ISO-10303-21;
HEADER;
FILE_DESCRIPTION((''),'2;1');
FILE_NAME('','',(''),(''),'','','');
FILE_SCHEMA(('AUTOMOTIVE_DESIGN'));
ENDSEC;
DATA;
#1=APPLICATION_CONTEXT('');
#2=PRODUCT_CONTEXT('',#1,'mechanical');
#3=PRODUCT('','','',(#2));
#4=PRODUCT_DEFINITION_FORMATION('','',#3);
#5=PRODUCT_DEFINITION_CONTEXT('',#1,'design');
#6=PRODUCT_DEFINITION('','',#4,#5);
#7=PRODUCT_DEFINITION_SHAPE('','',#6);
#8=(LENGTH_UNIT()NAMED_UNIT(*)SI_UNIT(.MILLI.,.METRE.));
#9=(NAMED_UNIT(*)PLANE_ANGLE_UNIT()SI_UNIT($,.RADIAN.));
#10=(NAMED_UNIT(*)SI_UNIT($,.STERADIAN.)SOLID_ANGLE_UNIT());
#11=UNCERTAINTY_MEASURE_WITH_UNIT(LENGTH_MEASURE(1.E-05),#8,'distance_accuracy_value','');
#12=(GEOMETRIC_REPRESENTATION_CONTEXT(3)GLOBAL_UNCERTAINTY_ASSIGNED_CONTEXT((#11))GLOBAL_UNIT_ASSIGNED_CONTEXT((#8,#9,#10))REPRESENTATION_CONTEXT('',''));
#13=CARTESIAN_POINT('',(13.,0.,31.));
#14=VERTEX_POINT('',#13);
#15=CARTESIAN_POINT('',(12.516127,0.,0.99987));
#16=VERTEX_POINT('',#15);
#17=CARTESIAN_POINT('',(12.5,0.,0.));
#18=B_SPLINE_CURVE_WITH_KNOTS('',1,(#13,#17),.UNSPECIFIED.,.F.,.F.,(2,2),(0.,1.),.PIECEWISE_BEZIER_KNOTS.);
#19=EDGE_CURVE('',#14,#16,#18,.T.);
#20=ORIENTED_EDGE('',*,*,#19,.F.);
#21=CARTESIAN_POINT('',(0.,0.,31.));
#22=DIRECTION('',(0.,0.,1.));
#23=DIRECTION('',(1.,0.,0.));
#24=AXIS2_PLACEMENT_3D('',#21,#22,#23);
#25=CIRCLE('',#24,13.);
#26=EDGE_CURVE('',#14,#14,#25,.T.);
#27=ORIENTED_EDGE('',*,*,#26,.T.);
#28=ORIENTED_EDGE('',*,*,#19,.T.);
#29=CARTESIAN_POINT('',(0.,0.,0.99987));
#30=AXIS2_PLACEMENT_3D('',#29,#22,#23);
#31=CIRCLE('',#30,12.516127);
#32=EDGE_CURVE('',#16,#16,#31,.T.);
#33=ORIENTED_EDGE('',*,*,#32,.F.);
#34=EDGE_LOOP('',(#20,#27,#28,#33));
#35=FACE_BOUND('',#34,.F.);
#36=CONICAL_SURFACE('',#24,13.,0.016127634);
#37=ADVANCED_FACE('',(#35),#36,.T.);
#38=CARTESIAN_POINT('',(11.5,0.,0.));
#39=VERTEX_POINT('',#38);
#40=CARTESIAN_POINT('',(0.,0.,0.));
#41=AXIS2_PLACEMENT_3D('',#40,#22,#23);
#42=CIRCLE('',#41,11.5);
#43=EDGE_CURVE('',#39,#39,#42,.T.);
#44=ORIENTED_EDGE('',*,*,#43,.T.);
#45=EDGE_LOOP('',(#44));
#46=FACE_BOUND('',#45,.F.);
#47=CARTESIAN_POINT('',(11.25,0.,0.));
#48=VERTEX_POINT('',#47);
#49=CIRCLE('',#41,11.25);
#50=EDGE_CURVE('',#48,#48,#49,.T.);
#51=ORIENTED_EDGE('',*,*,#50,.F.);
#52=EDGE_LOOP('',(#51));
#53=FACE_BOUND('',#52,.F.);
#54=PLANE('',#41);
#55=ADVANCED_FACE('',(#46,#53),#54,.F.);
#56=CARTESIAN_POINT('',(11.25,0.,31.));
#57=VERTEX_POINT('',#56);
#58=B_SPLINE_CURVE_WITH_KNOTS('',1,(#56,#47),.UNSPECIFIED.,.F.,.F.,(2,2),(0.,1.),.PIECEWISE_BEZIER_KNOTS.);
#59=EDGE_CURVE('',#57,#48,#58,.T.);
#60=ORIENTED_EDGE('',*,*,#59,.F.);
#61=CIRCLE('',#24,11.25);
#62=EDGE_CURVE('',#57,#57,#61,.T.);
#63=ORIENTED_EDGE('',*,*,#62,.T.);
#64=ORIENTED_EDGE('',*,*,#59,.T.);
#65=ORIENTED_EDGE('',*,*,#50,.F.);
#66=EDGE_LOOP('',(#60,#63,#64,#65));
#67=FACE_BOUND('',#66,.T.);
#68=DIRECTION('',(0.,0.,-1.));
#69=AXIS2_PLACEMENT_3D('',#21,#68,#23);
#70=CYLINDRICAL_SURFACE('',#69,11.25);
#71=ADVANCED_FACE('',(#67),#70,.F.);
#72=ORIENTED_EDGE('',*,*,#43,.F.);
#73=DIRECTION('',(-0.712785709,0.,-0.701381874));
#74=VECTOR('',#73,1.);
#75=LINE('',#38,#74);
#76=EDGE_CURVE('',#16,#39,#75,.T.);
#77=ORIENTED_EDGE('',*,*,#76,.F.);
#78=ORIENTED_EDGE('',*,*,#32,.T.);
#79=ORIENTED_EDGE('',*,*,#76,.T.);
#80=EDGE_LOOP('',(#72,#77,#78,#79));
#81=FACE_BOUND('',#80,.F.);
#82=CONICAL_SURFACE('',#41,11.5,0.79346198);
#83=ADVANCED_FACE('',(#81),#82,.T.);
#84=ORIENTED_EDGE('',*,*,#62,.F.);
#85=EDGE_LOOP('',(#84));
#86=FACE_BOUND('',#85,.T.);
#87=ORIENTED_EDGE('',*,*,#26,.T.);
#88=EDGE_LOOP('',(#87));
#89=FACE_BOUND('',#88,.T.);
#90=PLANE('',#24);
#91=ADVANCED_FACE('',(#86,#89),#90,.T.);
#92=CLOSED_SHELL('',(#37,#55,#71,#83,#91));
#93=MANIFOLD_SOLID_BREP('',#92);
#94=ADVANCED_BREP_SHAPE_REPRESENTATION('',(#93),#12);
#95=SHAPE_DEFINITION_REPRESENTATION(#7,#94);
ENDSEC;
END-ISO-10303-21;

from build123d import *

# Parameters (mm, degrees)
SKETCH001_R  = 13
SKETCH_R     = 12.5
SKETCH003_R  = 11.25
SKETCH002_R  = 11.25
CHAMFER_SIZE = 1


with BuildPart() as part:
    # Sketch001 (on DatumPlane) → AdditiveLoft section 0
    with BuildSketch(Plane.XY.offset(31)):
        Circle(SKETCH001_R)
    # Sketch → AdditiveLoft section 1
    with BuildSketch(Plane.XY):
        Circle(SKETCH_R)
    loft()

    # Sketch003 (on DatumPlane) → SubtractiveLoft section 0
    with BuildSketch(Plane.XY.offset(31)):
        Circle(SKETCH003_R)
    # Sketch002 → SubtractiveLoft section 1
    with BuildSketch(Plane.XY):
        Circle(SKETCH002_R)
    loft(mode=Mode.SUBTRACT)

    # Chamfer
    chamfer_edges = [part.edges().sort_by_distance(p)[0] for p in [
        (-12.5, 0, 0),
    ]]
    chamfer(chamfer_edges, length=CHAMFER_SIZE)


solid = part.part
